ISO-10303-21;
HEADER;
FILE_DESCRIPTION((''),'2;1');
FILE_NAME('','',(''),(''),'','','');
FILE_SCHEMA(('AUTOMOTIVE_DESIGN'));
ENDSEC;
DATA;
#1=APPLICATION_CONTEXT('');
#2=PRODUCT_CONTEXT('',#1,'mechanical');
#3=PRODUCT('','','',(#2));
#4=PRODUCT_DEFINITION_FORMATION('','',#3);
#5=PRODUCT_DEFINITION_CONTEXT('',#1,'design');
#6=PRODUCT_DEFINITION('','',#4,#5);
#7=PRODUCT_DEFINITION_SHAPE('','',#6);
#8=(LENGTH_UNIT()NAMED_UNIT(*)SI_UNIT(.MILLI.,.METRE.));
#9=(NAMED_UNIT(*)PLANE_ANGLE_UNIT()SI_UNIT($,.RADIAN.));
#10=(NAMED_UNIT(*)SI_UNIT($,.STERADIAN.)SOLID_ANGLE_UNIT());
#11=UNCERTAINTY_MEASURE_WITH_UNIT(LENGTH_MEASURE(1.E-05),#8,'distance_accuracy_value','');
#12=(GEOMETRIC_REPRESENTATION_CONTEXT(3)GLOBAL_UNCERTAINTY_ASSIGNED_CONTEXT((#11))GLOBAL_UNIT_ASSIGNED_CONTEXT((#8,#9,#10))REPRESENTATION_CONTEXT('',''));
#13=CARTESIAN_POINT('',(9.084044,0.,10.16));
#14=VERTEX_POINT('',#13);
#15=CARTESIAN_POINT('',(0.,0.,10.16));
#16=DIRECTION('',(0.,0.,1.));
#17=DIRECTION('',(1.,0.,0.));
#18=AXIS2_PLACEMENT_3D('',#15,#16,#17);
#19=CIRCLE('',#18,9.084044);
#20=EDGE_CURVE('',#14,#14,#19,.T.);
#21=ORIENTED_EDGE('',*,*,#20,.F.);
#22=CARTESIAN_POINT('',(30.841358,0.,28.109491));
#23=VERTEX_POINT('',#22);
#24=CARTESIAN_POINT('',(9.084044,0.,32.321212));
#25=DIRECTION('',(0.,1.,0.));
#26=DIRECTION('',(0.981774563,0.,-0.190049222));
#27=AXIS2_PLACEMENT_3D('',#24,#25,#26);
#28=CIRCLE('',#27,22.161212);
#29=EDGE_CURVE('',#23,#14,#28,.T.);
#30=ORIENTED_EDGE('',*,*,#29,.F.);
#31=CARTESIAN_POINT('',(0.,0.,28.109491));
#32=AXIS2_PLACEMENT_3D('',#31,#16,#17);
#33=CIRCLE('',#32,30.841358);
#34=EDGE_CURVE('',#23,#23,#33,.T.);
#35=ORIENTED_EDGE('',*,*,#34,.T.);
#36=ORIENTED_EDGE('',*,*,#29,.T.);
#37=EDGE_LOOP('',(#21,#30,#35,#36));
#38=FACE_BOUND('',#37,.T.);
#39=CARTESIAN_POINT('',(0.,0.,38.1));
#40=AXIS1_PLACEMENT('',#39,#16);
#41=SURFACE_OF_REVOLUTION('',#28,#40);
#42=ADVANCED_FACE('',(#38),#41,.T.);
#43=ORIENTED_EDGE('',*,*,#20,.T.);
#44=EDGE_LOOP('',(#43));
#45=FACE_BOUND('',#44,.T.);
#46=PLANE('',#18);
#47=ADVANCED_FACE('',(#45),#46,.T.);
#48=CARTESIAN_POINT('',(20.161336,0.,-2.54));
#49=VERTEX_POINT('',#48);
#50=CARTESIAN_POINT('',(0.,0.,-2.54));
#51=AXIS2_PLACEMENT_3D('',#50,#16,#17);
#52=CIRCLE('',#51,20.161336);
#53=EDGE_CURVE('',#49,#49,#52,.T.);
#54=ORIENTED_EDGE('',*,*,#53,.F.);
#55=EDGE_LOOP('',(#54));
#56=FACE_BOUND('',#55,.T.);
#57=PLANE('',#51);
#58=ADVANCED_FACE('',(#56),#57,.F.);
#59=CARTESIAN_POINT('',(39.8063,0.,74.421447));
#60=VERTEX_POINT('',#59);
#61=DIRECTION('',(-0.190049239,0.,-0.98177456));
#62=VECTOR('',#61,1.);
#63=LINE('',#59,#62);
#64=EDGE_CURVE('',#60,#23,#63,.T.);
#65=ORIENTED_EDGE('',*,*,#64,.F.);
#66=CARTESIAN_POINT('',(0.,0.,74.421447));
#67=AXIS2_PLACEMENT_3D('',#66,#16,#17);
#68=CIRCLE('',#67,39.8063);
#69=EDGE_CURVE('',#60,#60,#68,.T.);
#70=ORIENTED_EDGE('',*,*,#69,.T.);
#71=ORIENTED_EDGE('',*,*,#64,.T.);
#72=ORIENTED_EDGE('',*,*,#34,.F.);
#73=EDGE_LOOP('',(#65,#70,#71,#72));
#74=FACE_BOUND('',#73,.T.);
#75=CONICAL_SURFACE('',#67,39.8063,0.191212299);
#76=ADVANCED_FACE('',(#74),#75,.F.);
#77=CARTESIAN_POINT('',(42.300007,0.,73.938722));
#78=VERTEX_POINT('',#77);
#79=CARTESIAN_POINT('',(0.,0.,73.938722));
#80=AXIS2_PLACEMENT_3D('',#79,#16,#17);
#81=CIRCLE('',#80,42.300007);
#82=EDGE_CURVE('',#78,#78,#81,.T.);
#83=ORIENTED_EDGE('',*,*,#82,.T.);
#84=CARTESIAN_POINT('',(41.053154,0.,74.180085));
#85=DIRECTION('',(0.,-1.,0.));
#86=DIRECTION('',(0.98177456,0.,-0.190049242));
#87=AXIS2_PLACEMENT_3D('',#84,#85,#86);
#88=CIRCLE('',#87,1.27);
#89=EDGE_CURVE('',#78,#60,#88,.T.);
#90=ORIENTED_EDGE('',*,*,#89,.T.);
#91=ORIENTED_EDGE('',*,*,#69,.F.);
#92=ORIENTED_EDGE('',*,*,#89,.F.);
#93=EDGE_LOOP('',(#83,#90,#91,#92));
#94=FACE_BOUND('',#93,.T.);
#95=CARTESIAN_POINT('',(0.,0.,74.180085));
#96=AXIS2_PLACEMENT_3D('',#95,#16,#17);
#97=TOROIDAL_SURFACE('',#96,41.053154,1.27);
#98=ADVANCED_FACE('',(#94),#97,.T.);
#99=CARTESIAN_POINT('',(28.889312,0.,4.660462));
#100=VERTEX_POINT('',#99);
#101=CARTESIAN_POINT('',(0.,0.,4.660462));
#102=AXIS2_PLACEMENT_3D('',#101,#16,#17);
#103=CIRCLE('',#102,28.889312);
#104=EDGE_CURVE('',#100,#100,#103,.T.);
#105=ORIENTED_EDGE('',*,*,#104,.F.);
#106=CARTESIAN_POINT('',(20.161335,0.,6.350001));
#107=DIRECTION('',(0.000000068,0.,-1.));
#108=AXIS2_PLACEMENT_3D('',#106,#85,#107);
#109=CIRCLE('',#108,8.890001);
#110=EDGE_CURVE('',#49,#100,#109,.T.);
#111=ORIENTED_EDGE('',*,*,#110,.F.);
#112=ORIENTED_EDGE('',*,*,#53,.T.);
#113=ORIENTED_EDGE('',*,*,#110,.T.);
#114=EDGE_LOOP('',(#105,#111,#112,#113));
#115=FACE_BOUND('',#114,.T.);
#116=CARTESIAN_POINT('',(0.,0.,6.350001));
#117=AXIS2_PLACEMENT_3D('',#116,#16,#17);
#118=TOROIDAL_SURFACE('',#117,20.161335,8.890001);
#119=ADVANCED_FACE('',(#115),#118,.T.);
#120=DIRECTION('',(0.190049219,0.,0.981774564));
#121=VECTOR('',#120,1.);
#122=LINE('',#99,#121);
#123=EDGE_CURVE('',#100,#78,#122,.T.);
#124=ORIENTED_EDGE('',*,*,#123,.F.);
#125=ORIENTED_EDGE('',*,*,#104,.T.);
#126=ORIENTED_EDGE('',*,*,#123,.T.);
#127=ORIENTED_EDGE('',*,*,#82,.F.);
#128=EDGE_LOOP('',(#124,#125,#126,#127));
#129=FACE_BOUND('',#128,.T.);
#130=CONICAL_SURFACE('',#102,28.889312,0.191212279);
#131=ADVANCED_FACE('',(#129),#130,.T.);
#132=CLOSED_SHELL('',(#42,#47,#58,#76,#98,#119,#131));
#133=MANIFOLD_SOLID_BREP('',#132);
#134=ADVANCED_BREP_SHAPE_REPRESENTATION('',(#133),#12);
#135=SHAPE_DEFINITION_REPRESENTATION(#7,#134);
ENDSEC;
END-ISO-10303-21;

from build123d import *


with BuildPart() as f1:
    # F0 (on Front) → F1 (revolve)
    with BuildSketch(Plane.XZ):
        with BuildLine():
            Line((39.8063, 74.421447), (30.841358, 28.109491))
            ThreePointArc((30.841358, 28.109491), (23.186924, 15.226532), (9.084044, 10.16))
            Line((9.084044, 10.16), (0, 10.16))
            Line((0, 10.16), (0, -2.54))
            Line((0, -2.54), (20.161336, -2.54))
            ThreePointArc((20.161336, -2.54), (25.818725, -0.507554), (28.889312, 4.660462))
            Line((28.889312, 4.660462), (42.300007, 73.938722))
            ThreePointArc((42.300007, 73.938722), (41.294516, 75.426938), (39.8063, 74.421447))
        make_face()
    revolve(axis=Axis((0, 0, 38.1), (0, 0, 1)))


solid = f1.part
